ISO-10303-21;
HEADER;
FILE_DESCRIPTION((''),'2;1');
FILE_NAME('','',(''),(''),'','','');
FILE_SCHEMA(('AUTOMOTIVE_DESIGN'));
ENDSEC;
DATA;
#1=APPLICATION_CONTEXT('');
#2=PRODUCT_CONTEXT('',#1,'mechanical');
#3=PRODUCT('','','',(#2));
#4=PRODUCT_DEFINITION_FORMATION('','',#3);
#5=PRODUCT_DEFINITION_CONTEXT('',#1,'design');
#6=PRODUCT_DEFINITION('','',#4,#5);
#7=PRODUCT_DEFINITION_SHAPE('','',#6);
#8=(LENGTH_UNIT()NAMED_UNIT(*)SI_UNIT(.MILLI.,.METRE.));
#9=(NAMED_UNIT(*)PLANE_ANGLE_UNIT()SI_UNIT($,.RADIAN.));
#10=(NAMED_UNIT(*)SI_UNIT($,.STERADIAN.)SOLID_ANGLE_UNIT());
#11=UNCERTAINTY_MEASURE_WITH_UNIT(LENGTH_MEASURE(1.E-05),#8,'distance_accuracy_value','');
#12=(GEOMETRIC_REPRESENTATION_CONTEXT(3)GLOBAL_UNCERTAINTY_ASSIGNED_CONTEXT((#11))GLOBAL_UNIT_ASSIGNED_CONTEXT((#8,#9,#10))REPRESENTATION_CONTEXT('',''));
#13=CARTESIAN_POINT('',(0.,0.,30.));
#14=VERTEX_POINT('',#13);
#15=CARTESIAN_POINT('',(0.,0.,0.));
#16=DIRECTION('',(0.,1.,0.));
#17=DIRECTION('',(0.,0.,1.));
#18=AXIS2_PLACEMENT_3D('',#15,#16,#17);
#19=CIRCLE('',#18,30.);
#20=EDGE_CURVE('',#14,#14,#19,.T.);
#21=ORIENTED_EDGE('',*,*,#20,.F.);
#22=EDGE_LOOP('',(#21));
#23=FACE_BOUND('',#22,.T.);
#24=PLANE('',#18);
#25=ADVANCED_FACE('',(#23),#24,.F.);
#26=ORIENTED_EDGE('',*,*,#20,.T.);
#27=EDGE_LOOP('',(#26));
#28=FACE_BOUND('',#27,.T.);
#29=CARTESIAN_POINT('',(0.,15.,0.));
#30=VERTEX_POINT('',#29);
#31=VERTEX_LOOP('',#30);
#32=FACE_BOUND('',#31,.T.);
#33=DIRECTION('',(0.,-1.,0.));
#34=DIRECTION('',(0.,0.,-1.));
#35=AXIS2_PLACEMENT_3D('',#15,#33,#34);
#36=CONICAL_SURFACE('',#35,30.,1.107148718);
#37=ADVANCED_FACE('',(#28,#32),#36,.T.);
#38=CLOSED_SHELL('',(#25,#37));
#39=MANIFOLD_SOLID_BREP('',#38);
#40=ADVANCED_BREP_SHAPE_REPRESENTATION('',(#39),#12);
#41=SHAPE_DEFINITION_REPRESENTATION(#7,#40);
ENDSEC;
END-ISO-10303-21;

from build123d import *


with BuildPart() as part:
    # Sketch1 → Revolve1 (revolve)
    with BuildSketch(Plane.XY, mode=Mode.PRIVATE) as revolve1_sk:
        Polygon((0, 0), (30, 0), (0, 15), align=None)
    revolve(revolve1_sk.sketch.rotate(Axis((0, 15, 0), (0, -1, 0)), 270), axis=Axis((0, 15, 0), (0, -1, 0)))


solid = part.part
